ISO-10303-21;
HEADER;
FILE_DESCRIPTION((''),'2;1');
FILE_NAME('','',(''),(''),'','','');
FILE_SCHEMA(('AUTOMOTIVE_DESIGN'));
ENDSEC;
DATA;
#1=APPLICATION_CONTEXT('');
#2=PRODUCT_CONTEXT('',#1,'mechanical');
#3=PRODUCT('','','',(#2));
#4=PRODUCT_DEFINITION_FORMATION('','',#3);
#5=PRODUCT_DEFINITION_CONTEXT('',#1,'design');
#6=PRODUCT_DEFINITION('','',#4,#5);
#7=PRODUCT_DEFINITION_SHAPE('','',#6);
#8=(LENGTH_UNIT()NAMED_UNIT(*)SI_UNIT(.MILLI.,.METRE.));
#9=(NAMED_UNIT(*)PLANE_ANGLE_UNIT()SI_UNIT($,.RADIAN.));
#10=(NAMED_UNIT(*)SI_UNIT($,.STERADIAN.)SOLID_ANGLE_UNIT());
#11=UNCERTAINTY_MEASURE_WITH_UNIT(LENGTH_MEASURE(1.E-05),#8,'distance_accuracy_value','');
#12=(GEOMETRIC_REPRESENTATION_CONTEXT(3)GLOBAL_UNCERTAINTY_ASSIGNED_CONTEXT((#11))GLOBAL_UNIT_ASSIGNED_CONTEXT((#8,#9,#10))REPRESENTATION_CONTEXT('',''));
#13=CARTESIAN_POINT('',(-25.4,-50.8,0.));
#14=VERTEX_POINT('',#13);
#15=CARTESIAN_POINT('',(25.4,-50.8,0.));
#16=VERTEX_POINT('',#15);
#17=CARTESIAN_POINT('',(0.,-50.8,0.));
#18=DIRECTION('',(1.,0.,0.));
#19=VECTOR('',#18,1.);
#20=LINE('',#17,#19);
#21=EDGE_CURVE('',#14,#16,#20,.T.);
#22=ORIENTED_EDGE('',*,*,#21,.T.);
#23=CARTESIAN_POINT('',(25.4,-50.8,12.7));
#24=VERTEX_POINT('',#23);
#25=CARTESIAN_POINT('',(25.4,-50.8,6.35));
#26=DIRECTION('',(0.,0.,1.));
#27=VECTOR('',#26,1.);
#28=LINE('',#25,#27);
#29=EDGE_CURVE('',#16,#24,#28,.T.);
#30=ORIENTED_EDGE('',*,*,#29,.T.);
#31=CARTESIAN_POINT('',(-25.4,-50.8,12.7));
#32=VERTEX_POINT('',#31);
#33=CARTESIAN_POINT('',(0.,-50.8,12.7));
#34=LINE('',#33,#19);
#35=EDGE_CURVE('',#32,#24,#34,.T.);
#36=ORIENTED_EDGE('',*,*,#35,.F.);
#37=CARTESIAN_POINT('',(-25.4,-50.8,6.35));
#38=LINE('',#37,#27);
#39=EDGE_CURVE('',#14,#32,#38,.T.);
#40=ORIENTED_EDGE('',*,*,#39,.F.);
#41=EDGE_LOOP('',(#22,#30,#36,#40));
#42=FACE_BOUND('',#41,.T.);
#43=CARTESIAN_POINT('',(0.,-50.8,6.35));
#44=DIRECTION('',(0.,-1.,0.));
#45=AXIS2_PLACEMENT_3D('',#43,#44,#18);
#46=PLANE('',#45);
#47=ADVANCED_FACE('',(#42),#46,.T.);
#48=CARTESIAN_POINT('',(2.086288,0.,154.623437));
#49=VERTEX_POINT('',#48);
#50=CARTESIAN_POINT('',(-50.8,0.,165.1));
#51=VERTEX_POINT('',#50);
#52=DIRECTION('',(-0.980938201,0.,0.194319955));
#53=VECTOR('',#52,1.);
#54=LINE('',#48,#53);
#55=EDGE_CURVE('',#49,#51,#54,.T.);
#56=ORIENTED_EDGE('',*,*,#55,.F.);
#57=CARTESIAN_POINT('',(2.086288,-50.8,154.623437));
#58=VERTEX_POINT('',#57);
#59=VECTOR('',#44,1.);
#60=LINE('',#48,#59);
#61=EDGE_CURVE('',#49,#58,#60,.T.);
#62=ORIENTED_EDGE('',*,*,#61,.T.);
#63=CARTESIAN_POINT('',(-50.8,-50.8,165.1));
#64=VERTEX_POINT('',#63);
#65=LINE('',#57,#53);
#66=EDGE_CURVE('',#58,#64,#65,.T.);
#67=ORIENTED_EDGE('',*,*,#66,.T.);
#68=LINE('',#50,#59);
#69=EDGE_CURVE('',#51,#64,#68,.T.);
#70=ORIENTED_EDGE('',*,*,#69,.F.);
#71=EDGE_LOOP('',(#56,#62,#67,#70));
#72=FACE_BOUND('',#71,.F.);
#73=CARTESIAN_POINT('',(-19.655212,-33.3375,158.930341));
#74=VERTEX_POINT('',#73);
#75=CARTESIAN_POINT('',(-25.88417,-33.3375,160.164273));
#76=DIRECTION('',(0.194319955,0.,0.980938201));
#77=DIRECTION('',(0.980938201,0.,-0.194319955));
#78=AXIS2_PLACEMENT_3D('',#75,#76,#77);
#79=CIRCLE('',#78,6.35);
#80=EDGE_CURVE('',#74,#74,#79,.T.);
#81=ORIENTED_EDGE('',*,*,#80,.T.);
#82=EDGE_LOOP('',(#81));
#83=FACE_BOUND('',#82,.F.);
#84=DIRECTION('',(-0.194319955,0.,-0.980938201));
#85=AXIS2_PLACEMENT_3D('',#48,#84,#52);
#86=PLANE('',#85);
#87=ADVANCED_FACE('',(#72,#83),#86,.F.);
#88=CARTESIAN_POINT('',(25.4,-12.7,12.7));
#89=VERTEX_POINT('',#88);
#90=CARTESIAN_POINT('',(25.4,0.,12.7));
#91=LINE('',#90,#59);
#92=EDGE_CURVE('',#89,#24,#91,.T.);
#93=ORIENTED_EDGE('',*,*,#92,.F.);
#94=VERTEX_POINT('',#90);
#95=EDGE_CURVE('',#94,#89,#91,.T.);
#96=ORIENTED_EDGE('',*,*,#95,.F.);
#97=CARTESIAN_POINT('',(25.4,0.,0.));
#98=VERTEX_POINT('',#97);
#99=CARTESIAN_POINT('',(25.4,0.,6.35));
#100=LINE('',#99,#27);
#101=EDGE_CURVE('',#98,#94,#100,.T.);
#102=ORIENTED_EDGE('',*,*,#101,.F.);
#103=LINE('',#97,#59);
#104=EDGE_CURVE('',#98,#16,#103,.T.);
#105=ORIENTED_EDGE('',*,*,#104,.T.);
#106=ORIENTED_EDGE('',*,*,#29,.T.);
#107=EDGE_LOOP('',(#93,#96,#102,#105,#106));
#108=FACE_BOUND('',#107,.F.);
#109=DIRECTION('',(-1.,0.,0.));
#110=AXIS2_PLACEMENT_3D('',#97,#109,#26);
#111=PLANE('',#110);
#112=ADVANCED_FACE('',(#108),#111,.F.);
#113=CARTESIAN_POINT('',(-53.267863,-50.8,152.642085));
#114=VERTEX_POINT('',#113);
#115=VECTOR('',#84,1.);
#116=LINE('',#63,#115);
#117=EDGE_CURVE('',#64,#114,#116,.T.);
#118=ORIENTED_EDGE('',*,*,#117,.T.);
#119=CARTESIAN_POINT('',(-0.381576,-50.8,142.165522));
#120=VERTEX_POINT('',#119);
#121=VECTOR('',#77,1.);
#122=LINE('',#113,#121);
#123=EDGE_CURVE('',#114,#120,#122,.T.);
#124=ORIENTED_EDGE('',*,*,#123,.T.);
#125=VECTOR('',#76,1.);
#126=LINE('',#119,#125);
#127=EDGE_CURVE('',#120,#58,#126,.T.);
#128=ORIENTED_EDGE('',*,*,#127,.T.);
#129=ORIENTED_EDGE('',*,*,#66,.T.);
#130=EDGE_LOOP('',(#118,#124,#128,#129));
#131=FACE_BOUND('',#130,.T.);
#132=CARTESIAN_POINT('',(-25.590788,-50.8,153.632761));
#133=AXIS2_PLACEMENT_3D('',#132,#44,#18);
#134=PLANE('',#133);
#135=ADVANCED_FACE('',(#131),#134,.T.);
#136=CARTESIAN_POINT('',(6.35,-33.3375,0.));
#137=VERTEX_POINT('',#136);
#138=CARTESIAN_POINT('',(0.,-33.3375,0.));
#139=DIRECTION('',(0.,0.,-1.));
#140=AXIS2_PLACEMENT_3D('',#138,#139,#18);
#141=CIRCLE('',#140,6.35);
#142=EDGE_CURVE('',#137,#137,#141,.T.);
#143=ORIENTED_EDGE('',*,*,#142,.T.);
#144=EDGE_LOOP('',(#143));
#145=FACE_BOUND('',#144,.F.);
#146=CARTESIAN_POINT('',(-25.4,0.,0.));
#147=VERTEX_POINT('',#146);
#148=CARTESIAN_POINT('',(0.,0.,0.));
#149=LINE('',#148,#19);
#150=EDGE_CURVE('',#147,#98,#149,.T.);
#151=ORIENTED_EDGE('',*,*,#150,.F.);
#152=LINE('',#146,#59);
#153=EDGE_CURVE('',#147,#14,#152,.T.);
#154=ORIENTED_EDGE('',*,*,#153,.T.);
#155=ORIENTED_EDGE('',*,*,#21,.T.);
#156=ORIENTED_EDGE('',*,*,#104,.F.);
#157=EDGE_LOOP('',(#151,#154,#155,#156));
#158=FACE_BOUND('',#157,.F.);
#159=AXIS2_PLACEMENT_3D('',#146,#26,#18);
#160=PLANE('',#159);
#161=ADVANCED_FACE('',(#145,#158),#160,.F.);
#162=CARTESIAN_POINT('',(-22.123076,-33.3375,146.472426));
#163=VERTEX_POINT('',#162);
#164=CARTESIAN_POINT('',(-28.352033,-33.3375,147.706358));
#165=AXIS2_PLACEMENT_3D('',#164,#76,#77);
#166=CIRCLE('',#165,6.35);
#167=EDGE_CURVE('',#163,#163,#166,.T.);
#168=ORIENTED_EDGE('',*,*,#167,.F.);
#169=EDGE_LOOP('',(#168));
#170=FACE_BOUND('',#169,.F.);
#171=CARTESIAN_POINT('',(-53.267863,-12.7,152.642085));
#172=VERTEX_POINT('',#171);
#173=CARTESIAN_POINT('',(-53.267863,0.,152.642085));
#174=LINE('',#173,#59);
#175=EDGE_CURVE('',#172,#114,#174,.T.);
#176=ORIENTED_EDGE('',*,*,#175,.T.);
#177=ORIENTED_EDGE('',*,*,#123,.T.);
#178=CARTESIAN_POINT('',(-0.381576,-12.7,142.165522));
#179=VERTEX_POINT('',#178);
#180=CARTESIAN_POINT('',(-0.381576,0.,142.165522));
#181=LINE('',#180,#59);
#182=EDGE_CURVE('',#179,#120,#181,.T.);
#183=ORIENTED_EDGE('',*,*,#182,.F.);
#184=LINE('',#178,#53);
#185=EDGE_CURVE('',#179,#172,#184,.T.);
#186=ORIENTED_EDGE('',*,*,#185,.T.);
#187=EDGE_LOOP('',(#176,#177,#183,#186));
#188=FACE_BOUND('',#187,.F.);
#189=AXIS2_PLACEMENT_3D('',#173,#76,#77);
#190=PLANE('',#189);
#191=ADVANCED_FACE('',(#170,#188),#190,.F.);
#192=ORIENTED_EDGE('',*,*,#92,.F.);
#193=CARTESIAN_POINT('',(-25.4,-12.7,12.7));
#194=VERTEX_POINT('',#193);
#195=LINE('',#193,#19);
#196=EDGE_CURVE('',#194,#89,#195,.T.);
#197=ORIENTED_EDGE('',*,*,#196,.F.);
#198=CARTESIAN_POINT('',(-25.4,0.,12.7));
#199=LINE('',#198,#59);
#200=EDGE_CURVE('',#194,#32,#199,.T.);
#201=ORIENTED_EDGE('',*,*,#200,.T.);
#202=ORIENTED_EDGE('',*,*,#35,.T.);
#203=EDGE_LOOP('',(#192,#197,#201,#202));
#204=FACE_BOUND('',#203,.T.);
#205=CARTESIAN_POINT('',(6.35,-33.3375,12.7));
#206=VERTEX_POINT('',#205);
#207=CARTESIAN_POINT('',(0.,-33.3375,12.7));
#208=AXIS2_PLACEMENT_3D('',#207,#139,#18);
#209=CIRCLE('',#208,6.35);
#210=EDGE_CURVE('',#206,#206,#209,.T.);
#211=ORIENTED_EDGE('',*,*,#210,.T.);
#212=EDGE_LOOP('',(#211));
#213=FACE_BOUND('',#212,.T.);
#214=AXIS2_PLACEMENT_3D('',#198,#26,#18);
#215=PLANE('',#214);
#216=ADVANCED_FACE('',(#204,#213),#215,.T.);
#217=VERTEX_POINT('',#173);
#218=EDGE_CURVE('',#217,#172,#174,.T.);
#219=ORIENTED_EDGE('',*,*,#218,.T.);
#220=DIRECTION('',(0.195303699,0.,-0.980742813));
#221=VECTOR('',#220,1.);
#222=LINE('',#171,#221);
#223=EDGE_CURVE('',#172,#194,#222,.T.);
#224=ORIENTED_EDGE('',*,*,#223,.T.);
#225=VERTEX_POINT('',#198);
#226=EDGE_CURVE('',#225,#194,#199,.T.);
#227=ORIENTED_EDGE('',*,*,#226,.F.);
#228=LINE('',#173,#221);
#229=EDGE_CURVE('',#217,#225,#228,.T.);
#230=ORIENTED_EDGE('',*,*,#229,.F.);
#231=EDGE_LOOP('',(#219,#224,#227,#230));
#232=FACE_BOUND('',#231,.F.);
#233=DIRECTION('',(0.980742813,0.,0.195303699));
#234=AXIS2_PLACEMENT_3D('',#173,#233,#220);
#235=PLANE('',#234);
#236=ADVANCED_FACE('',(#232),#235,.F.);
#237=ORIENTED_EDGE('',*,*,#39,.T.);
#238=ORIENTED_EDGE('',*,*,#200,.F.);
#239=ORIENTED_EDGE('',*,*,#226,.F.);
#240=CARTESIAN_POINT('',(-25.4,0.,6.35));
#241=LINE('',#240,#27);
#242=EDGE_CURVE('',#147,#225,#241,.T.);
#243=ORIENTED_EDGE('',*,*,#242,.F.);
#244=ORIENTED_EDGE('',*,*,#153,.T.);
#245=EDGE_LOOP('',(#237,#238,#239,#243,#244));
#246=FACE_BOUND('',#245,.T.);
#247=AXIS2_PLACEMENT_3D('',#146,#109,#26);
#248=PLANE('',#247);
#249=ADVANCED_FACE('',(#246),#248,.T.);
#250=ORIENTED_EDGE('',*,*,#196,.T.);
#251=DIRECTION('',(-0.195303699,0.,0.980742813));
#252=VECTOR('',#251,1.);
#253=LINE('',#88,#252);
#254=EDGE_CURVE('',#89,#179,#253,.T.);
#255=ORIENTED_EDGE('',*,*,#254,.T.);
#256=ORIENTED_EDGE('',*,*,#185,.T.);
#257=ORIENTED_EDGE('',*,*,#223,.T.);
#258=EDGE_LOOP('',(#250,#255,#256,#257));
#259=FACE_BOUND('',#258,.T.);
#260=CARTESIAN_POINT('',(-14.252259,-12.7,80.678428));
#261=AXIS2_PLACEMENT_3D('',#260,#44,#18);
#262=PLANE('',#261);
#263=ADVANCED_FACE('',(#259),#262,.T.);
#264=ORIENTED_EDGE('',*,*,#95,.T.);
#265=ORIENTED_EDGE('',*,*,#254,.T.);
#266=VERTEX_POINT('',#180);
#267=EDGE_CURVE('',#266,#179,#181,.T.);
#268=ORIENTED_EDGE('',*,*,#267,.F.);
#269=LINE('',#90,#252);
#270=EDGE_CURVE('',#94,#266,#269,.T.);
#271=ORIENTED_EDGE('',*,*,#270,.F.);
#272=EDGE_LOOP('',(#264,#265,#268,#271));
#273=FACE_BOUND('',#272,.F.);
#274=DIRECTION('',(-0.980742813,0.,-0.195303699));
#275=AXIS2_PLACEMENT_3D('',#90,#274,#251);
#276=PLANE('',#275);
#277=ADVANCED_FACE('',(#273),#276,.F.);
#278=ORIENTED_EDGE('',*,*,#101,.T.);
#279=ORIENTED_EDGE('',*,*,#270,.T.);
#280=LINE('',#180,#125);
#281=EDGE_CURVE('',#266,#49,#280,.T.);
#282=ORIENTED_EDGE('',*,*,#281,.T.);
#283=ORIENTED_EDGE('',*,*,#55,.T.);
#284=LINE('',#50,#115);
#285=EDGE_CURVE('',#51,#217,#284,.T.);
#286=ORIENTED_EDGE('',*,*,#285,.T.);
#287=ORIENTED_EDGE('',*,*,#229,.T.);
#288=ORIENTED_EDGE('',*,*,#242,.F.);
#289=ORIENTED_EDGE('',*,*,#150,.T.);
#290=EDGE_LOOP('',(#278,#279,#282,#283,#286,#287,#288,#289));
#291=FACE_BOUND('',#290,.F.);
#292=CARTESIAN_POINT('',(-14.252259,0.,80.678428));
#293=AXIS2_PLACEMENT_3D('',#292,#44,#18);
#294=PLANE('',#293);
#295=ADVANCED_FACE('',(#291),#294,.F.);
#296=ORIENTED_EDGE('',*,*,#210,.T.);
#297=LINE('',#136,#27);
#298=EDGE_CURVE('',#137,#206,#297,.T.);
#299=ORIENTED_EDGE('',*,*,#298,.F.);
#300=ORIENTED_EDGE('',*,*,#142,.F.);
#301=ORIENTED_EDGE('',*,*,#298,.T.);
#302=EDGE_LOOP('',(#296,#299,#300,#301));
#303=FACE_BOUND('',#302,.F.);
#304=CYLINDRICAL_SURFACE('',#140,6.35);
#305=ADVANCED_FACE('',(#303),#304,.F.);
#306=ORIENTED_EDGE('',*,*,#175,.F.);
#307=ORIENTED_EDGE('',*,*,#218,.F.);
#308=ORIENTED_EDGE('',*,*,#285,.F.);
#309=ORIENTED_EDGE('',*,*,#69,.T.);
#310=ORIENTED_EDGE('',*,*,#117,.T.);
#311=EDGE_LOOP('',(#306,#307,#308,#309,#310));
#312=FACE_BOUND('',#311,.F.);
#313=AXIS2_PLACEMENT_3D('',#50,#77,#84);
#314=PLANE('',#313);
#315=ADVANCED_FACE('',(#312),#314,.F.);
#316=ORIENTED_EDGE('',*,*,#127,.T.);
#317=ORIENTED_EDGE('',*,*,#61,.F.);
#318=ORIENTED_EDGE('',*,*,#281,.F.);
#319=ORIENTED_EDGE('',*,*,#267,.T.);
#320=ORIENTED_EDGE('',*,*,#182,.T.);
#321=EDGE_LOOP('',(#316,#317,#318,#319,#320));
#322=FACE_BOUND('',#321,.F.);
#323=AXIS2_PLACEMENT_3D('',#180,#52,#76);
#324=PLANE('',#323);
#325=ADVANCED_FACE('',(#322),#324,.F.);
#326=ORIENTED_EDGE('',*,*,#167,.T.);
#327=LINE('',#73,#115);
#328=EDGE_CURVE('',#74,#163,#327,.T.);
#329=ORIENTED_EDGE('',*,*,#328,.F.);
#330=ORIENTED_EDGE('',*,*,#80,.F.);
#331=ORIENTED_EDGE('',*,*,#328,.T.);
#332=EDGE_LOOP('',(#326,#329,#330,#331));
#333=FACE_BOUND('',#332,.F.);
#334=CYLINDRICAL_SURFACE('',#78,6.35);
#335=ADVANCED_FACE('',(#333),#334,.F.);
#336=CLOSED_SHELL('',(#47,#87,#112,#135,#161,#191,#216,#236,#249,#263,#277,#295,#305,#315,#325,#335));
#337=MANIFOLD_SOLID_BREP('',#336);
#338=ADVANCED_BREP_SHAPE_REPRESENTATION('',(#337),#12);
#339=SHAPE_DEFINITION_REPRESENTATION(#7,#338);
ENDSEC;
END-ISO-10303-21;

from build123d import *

# Parameters (mm, degrees)
F0_W     = 50.8
F0_H     = 12.7
F1_DEPTH = 50.8
F2_DEPTH = 12.7
F3_R     = 6.35
F4_DEPTH = 12.7
F5_R     = 6.35
F6_DEPTH = 12.7


with BuildPart() as f1:
    # F0 (on Front) → F1 (new body)
    with BuildSketch(Plane.XZ):
        with Locations((0, 6.35)):
            Rectangle(F0_W, F0_H)
    extrude(amount=F1_DEPTH)



with BuildPart() as f1b:
    # F0 (on Front) → F1, piece 2 (new body)
    with BuildSketch(Plane.XZ):
        Polygon((-50.8, 165.1), (-53.2678634281, 152.6420848413), (-0.3815758649, 142.1655216876), (2.0862875631, 154.6234368462), align=None)
    extrude(amount=F1_DEPTH)


with BuildPart() as f1_1:
    add(f1.part)

    add(f1b.part)  # F2 merges F1b
    # F0 (on Front) → F2 (join)
    with BuildSketch(Plane.XZ):
        Polygon((-53.2678634281, 152.6420848413), (-25.4, 12.7), (25.4, 12.7), (-0.3815758649, 142.1655216876), align=None)
    extrude(amount=F2_DEPTH)

    # F3 (on face) → F4 (cut, through all)
    with BuildSketch(Plane(origin=(0, 0, 0), x_dir=(1, 0, 0), z_dir=(0, 0, -1))):
        with Locations((0, 33.3375)):
            Circle(F3_R)
    extrude(amount=-F4_DEPTH, mode=Mode.SUBTRACT)

    # F5 (on face) → F6 (cut, through all)
    with BuildSketch(Plane(origin=(29.5524592231, 0, 149.1824975169), x_dir=(0.9809382015, 0, -0.194319955), z_dir=(0.194319955, 0, 0.9809382015))):
        with Locations((-56.5138851996, -33.3375)):
            Circle(F5_R)
    extrude(amount=-F6_DEPTH, mode=Mode.SUBTRACT)


solid = f1_1.part
